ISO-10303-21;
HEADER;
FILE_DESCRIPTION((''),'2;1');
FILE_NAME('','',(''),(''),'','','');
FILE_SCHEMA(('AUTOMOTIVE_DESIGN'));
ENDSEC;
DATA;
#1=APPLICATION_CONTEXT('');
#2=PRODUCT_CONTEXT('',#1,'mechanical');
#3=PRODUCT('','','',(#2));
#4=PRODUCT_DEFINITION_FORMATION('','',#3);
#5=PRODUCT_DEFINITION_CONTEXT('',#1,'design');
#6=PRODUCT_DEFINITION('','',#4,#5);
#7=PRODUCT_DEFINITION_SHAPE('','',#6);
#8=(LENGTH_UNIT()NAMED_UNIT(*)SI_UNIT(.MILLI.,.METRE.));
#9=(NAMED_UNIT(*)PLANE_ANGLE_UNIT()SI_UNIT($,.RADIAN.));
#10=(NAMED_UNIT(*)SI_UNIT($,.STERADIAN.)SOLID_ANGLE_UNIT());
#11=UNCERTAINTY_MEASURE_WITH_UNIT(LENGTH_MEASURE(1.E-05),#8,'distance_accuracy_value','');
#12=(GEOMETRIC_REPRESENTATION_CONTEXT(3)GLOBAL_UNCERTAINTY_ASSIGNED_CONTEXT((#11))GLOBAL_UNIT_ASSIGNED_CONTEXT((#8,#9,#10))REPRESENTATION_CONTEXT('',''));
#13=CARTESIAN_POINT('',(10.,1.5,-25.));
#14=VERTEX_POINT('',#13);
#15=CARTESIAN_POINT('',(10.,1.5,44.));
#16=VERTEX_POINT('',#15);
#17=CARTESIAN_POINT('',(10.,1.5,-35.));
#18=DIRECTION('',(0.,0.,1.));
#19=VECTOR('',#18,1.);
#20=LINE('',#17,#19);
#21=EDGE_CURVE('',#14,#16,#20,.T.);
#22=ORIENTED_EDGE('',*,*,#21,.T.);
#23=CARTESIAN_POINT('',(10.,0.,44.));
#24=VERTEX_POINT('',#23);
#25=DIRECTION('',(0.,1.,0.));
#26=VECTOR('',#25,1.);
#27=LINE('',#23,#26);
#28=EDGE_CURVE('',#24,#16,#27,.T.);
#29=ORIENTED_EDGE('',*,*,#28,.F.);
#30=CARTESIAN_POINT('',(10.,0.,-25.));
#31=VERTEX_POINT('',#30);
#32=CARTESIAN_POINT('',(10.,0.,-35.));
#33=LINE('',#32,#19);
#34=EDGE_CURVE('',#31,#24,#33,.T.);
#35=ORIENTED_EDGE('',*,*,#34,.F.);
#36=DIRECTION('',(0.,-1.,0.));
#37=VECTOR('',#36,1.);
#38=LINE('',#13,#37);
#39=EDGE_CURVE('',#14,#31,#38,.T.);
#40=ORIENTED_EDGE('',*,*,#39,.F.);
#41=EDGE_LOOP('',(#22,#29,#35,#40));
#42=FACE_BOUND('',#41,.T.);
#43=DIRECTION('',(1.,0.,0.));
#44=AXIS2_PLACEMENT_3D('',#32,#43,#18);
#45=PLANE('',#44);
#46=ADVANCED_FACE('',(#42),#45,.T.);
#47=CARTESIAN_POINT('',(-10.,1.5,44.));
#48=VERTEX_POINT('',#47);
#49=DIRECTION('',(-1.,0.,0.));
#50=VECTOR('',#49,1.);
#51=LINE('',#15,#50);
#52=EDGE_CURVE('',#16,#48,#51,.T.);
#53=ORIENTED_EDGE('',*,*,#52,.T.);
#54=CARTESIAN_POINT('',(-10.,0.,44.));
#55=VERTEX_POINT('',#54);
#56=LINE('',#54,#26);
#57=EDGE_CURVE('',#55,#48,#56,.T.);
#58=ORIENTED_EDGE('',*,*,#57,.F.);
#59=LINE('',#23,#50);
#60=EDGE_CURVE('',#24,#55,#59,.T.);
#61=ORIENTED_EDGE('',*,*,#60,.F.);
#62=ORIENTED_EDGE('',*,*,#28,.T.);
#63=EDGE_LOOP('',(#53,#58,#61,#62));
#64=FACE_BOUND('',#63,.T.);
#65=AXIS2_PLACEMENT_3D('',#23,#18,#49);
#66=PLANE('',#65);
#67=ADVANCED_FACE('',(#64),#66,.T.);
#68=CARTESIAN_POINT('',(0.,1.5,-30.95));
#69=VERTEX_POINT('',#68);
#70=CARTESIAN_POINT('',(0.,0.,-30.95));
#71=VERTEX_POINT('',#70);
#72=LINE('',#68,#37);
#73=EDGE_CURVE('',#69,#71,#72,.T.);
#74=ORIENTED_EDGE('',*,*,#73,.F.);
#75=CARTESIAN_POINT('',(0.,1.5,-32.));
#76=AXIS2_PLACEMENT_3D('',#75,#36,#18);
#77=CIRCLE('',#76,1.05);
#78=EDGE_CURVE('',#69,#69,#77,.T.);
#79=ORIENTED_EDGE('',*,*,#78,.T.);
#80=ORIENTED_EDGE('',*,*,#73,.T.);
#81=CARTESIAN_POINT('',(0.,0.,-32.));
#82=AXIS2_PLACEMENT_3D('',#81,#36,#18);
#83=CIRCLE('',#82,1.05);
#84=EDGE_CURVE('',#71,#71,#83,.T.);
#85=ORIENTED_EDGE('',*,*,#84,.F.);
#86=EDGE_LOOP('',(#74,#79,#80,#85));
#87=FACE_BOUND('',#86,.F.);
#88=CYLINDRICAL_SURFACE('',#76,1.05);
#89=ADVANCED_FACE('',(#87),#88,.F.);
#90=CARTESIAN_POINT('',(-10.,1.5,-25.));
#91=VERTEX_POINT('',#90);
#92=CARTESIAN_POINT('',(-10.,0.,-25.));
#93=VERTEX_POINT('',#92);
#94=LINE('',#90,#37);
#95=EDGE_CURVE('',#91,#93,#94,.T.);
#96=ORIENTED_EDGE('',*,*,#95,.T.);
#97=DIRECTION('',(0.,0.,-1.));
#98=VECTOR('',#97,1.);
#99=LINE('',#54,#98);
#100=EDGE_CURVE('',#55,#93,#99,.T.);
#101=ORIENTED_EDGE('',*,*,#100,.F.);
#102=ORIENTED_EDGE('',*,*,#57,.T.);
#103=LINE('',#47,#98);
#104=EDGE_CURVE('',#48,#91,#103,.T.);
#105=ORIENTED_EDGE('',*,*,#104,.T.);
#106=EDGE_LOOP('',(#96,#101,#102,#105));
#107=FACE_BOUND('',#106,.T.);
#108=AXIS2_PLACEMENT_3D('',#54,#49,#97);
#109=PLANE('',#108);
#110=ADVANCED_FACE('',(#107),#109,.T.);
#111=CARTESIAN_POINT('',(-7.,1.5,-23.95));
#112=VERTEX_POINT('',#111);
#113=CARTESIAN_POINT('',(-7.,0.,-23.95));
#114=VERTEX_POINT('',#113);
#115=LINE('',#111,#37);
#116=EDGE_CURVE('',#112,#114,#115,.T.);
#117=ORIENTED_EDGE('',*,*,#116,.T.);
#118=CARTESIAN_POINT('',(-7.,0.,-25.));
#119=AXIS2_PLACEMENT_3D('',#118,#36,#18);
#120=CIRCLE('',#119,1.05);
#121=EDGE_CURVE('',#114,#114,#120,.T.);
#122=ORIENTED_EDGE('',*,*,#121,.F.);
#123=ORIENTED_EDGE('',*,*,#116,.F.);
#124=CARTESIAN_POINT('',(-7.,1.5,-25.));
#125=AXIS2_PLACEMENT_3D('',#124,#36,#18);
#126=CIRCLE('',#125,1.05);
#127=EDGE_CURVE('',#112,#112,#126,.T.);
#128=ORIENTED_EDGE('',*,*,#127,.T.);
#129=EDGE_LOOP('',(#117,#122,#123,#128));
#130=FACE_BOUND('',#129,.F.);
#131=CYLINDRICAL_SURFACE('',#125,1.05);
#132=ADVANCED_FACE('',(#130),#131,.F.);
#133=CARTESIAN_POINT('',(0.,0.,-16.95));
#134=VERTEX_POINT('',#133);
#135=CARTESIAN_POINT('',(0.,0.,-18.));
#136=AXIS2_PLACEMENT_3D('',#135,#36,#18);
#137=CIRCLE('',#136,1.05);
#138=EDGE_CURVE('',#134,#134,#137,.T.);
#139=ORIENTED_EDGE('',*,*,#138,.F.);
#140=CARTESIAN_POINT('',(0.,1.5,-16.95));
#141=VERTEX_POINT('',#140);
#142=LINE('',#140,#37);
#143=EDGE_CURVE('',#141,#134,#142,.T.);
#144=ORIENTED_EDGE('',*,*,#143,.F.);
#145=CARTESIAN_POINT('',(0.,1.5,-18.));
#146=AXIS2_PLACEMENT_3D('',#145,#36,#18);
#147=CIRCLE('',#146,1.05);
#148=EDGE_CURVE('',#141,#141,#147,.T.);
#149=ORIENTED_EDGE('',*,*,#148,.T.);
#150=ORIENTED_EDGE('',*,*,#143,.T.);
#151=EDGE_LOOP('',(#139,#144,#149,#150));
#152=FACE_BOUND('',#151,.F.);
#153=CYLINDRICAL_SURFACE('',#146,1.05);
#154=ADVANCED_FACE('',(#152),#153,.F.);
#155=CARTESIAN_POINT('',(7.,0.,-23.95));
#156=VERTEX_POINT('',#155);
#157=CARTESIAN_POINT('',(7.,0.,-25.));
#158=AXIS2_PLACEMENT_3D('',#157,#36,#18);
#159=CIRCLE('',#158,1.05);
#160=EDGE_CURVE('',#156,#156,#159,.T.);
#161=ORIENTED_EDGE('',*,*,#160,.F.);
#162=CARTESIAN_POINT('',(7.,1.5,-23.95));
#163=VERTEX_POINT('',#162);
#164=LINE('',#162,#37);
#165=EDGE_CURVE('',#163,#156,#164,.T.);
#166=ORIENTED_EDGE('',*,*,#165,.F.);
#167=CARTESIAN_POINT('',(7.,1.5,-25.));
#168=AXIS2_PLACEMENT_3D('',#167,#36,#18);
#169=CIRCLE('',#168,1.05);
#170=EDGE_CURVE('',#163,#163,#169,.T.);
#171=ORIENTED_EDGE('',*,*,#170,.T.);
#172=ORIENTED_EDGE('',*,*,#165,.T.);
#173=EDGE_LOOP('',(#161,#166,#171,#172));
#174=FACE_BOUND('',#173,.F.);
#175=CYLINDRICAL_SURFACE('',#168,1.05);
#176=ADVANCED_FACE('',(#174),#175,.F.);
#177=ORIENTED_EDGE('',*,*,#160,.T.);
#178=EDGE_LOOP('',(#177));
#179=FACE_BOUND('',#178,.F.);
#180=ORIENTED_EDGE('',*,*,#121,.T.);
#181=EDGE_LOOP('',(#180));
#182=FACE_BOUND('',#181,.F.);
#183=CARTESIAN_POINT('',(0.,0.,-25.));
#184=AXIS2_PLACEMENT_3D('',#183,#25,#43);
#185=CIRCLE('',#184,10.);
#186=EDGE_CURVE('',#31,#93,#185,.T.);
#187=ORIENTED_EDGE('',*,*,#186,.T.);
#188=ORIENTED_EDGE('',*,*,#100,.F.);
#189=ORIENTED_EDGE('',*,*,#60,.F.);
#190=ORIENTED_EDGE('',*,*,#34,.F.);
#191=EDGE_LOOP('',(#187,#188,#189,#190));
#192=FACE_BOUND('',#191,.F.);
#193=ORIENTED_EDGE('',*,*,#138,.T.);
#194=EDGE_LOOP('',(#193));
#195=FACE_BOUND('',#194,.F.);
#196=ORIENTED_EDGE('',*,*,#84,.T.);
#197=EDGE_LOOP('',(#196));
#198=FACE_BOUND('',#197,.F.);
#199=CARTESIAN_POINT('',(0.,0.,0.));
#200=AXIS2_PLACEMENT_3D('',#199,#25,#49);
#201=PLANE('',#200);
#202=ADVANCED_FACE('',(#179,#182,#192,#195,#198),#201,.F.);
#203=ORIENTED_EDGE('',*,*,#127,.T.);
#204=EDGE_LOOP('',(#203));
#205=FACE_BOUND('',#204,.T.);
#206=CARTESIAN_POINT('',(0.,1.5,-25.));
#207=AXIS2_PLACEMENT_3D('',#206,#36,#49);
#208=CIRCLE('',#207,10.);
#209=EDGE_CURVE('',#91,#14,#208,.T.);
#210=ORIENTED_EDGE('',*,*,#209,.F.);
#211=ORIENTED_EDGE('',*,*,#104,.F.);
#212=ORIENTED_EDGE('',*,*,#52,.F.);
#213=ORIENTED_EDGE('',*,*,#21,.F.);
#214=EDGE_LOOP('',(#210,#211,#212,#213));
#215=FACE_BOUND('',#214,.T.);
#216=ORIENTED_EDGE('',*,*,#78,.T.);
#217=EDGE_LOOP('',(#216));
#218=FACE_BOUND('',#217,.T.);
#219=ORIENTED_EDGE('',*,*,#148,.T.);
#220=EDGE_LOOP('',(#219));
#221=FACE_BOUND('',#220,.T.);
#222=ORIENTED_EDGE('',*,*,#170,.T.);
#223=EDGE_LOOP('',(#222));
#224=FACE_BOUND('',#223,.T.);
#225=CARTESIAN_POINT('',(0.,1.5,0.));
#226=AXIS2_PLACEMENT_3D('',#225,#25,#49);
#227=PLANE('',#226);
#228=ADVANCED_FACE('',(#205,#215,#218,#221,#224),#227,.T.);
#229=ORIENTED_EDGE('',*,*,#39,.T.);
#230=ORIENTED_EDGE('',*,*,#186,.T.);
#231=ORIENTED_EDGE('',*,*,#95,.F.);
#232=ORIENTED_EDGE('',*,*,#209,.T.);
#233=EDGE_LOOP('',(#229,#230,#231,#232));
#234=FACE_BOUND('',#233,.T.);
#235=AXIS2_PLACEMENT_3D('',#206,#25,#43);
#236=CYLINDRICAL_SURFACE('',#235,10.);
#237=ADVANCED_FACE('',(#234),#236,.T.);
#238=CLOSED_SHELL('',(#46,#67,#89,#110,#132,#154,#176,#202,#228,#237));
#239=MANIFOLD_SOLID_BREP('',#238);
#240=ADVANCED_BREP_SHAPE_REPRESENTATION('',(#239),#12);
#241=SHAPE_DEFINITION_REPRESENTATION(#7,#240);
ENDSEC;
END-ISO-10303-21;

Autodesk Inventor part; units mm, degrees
ref_plane "YZ Plane" through (0, 0, 0) normal (1, 0, 0) x (0, 1, 0)
ref_plane "XZ Plane" through (0, 0, 0) normal (0, 1, 0) x (-1, 0, 0)
ref_plane "XY Plane" through (0, 0, 0) normal (0, 0, 1) x (1, 0, 0)
sketch "Sketch1" plane through (0, 0, 0) normal (0, 1, 0) x (-1, 0, 0)
  line L0 (10, -35) -> (-10, -35)
  line L1 (-10, -35) -> (-10, 44)
  line L2 (-10, 44) -> (10, 44)
  line L3 (10, 44) -> (10, -35)
  point P0 (0, 0)
  dimension "d0" = 20
  dimension "d1" = 79
  dimension "d2" = 35
  dimension "d3" = 10
extrude "Plate1" add sketch "Sketch1" along normal blind 1.5
sketch "Sketch3" plane through (0, 1.5, 0) normal (0, 1, 0) x (1, 0, 0)
  circle A0 centre (0, 25) radius 10
  circle A1 centre (0, -25) radius 10
  line L0 (-10, 35) -> (10, 35) projected
  line L1 (10, -44) -> (-10, -44) projected
  line L2 (-10, 35) -> (10, 35)
  line L3 (10, 35) -> (10, 25)
  line L4 (10, 25) -> (-10, 25)
  line L5 (-10, 25) -> (-10, 35)
  line L6 (10, -35) -> (-10, -35)
  line L7 (-10, -35) -> (-10, -25)
  line L8 (-10, -25) -> (10, -25)
  line L9 (10, -25) -> (10, -44)
  point P0 (0, 0)
  point P1 (10, -25)
  point P2 (0, -35)
  point P3 (-10, -35)
  point P4 (0, 35)
  point P5 (10, 35)
  dimension "d12" = 20
  dimension "d13" = 20
  dimension "d14" = 10
  dimension "d15" = 10
  dimension "d16" = 25
  dimension "d17" = 25
  dimension "d18" = 10
extrude "Extrusion1" cut sketch "Sketch3" against normal blind 10 contours L5 L0 A0 | A0 L0 L3
sketch "Sketch4" plane through (0, 1.5, 0) normal (0, 1, 0) x (1, 0, 0)
  circle A0 centre (-7, 25) radius 0.8
  arc A1 (10, 25) -> (-10, 25) centre (0, 25) ccw projected
  circle A2 centre (0, 18) radius 0.8
  circle A3 centre (7, 25) radius 0.8
  circle A4 centre (0, 32) radius 0.8
  point P0 (0, 0)
  dimension "d21" = 0
  dimension "d22" = 7
  dimension "d23" = 1.6
  dimension "d26" = 360
hole "Hole2" at (0, 1.5, -32) at (7, 1.5, -25) at (0, 1.5, -18) at (-7, 1.5, -25) direction (0, -1, 0) diameter 2.1 depth 1.5
equation "\"d33\" = Thickness"
equation "\"d4\" = Thickness"
equation "\"BendReliefWidth\" = Thickness"
equation "\"BendReliefDepth\" = 0.5 * Thickness"
equation "\"CornerReliefSize\" = 4 * Thickness"
equation "\"MinimumRemnant\" = 2 * Thickness"
equation "\"TransitionRadius\" = BendRadius"
equation "\"JacobiRadiusSize\" = BendRadius"
equation "\"GapSize\" = Thickness"
equation "\"Thickness\" = 1.5"
equation "\"BendRadius\" = 0.31"
properties part number "axis_8_10_connector_frame" material "Aluminum 6061-AHC"
